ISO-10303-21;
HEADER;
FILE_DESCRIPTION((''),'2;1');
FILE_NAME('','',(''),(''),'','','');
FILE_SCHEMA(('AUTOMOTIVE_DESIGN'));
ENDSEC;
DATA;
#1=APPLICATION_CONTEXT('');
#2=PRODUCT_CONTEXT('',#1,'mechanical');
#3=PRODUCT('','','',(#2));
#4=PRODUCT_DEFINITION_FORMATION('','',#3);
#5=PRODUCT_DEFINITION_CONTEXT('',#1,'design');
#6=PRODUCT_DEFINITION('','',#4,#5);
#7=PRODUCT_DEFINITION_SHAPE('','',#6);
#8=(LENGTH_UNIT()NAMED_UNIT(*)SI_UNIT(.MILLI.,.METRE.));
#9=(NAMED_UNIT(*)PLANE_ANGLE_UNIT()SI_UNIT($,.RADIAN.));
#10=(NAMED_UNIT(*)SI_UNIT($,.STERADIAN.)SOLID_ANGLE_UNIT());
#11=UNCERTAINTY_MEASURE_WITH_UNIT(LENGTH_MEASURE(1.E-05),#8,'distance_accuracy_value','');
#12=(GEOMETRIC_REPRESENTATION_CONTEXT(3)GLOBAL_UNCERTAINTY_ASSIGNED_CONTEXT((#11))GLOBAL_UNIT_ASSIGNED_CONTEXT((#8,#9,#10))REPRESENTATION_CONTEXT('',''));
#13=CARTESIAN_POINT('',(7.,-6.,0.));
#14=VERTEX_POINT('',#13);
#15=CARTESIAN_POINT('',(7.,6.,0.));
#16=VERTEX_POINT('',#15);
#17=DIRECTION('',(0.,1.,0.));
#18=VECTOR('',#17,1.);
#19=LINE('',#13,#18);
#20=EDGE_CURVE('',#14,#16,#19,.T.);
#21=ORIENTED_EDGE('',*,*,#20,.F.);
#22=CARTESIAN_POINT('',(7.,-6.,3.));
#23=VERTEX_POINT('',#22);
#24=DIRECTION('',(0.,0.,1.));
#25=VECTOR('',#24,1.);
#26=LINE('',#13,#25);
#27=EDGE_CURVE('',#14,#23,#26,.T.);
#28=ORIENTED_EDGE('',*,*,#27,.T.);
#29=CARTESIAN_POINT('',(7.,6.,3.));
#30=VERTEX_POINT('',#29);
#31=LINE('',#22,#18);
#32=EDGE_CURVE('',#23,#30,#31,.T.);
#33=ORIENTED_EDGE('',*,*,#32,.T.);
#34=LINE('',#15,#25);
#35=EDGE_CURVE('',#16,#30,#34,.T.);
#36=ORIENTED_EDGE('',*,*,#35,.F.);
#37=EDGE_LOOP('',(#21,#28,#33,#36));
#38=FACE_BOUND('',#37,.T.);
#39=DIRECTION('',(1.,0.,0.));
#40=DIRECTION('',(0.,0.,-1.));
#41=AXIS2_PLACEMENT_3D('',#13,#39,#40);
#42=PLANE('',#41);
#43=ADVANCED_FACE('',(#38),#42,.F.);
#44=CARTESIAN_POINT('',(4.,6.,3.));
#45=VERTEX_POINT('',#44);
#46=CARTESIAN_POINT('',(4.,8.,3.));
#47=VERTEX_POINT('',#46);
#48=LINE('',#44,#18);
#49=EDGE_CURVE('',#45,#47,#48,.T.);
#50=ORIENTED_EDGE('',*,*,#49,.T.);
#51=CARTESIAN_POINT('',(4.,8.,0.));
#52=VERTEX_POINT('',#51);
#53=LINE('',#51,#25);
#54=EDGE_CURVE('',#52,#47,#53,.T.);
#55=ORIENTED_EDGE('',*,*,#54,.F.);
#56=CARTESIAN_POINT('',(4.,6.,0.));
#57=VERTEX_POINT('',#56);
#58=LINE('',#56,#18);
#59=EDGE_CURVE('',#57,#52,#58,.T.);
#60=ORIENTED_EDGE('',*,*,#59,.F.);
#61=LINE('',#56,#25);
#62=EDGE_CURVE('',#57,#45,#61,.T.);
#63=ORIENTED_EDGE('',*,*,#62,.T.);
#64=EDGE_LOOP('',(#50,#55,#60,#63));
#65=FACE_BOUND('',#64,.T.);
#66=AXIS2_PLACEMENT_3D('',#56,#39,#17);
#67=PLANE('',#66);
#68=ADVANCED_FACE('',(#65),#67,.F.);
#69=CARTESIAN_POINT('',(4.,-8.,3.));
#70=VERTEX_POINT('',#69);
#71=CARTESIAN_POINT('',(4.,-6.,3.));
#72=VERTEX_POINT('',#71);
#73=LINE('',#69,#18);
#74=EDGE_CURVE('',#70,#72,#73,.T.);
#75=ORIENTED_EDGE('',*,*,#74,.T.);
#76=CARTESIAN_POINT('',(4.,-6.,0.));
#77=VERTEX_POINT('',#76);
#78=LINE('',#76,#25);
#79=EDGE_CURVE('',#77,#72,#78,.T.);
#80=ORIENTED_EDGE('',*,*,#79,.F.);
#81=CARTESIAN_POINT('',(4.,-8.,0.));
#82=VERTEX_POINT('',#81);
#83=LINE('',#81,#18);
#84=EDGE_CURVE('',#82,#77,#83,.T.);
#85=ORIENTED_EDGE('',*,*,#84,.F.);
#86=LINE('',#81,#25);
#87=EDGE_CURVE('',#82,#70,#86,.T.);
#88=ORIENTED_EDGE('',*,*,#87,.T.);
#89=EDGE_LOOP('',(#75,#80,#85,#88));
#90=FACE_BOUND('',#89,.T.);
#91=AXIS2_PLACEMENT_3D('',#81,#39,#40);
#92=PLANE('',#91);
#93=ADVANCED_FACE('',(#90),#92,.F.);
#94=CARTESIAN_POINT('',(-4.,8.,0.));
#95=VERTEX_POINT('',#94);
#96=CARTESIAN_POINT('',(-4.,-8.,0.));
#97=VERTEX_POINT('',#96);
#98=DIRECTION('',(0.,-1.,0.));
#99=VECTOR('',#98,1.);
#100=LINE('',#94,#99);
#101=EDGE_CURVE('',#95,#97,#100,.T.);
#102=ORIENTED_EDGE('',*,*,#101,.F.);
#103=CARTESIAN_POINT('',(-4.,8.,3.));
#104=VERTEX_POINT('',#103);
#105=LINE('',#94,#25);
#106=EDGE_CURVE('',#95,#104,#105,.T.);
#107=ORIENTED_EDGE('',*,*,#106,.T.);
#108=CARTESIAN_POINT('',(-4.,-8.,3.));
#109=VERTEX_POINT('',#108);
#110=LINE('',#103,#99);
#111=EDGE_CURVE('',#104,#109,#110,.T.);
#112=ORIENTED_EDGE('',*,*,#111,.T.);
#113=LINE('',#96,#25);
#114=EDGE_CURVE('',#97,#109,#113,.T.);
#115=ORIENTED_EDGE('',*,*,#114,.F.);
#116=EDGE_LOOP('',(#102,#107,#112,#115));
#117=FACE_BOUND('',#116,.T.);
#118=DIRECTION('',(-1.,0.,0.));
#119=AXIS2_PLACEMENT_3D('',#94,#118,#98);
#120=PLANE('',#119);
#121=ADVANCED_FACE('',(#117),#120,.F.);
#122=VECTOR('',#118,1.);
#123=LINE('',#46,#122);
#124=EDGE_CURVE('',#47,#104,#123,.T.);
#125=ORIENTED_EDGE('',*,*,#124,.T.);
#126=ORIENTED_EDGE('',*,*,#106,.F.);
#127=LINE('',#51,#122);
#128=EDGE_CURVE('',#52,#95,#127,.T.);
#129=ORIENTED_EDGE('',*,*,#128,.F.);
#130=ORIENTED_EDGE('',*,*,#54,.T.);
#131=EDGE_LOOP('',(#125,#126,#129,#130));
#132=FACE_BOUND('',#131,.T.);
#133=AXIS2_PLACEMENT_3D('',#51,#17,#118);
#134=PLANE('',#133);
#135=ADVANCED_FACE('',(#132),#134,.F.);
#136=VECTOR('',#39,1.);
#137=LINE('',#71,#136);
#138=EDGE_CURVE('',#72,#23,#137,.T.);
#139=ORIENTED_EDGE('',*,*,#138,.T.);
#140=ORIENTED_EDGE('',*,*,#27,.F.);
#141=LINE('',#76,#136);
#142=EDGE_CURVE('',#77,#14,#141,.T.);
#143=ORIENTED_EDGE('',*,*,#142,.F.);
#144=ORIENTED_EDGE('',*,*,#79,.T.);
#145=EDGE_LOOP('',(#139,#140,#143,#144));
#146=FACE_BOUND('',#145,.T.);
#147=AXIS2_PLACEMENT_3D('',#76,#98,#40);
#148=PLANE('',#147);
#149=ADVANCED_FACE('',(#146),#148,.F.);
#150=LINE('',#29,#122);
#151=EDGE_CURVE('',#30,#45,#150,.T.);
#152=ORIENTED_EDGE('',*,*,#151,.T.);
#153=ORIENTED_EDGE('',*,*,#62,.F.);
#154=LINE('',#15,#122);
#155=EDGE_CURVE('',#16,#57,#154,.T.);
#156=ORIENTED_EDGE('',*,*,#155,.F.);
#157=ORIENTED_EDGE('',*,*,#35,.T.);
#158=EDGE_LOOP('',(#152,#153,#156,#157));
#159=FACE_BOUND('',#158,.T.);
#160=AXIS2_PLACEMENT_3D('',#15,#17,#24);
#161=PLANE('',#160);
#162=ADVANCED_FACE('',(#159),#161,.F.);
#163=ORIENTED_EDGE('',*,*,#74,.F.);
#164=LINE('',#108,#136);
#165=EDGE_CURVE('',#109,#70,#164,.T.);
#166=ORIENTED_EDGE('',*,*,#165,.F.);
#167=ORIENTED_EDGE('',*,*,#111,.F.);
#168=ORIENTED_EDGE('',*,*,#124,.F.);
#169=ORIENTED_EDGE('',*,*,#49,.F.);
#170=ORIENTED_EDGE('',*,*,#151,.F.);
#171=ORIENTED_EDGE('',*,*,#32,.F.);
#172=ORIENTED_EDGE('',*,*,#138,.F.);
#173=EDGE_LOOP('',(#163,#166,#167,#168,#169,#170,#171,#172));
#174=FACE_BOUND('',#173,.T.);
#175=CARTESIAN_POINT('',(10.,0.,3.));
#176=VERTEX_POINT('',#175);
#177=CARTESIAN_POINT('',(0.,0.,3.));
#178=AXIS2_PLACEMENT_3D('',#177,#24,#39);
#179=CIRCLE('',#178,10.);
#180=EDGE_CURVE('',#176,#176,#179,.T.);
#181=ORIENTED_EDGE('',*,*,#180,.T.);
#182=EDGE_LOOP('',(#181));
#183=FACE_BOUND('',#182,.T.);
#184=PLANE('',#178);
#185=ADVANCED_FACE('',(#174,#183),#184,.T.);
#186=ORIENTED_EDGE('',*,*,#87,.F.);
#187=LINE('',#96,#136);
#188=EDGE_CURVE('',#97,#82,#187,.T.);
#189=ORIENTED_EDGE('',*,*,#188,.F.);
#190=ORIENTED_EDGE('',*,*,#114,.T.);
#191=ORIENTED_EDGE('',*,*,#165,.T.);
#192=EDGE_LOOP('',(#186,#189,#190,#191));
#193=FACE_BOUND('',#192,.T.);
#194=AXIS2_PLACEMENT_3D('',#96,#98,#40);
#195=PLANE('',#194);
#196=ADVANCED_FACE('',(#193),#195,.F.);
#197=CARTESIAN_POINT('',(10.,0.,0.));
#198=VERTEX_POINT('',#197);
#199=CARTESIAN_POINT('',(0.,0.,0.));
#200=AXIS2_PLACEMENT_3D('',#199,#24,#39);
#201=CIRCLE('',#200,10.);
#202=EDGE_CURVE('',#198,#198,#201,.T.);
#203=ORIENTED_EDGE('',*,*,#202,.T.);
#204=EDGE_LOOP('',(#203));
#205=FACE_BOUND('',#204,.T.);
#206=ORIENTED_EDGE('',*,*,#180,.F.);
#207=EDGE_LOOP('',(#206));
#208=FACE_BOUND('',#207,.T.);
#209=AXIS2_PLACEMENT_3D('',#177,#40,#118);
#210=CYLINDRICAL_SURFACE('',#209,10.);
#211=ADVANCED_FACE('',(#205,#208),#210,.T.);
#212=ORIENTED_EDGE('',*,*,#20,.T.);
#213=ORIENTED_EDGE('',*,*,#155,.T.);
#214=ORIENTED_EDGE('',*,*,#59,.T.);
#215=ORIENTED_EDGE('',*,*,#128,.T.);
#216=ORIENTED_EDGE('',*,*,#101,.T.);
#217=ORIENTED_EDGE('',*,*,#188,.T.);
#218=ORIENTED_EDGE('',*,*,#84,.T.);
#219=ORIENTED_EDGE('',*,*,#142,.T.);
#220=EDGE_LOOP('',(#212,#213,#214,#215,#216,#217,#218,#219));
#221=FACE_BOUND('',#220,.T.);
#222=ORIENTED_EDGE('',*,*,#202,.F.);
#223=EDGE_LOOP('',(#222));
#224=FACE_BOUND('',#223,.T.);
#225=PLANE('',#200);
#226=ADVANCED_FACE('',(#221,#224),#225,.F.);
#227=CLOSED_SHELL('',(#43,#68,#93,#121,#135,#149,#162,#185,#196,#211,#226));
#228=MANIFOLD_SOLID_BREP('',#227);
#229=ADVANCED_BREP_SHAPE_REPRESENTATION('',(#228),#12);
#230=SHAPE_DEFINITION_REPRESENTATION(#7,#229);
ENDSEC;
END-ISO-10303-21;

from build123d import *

# Parameters (mm, degrees)
SKETCH1_R           = 10
BOSS_EXTRUDE1_DEPTH = 3
CUT_EXTRUDE1_DEPTH  = 15.456832295


with BuildPart() as part:
    # Sketch1 → Boss-Extrude1 (new body)
    with BuildSketch(Plane.XY):
        Circle(SKETCH1_R)
    extrude(amount=BOSS_EXTRUDE1_DEPTH)

    # Sketch2 → Cut-Extrude1 (cut, through all)
    with BuildSketch(Plane.XY.offset(3)):
        Polygon((-4, 8), (-4, -8), (4, -8), (4, -6), (7, -6), (7, 6), (4, 6), (4, 8), align=None)
    extrude(amount=-CUT_EXTRUDE1_DEPTH, mode=Mode.SUBTRACT)


solid = part.part
